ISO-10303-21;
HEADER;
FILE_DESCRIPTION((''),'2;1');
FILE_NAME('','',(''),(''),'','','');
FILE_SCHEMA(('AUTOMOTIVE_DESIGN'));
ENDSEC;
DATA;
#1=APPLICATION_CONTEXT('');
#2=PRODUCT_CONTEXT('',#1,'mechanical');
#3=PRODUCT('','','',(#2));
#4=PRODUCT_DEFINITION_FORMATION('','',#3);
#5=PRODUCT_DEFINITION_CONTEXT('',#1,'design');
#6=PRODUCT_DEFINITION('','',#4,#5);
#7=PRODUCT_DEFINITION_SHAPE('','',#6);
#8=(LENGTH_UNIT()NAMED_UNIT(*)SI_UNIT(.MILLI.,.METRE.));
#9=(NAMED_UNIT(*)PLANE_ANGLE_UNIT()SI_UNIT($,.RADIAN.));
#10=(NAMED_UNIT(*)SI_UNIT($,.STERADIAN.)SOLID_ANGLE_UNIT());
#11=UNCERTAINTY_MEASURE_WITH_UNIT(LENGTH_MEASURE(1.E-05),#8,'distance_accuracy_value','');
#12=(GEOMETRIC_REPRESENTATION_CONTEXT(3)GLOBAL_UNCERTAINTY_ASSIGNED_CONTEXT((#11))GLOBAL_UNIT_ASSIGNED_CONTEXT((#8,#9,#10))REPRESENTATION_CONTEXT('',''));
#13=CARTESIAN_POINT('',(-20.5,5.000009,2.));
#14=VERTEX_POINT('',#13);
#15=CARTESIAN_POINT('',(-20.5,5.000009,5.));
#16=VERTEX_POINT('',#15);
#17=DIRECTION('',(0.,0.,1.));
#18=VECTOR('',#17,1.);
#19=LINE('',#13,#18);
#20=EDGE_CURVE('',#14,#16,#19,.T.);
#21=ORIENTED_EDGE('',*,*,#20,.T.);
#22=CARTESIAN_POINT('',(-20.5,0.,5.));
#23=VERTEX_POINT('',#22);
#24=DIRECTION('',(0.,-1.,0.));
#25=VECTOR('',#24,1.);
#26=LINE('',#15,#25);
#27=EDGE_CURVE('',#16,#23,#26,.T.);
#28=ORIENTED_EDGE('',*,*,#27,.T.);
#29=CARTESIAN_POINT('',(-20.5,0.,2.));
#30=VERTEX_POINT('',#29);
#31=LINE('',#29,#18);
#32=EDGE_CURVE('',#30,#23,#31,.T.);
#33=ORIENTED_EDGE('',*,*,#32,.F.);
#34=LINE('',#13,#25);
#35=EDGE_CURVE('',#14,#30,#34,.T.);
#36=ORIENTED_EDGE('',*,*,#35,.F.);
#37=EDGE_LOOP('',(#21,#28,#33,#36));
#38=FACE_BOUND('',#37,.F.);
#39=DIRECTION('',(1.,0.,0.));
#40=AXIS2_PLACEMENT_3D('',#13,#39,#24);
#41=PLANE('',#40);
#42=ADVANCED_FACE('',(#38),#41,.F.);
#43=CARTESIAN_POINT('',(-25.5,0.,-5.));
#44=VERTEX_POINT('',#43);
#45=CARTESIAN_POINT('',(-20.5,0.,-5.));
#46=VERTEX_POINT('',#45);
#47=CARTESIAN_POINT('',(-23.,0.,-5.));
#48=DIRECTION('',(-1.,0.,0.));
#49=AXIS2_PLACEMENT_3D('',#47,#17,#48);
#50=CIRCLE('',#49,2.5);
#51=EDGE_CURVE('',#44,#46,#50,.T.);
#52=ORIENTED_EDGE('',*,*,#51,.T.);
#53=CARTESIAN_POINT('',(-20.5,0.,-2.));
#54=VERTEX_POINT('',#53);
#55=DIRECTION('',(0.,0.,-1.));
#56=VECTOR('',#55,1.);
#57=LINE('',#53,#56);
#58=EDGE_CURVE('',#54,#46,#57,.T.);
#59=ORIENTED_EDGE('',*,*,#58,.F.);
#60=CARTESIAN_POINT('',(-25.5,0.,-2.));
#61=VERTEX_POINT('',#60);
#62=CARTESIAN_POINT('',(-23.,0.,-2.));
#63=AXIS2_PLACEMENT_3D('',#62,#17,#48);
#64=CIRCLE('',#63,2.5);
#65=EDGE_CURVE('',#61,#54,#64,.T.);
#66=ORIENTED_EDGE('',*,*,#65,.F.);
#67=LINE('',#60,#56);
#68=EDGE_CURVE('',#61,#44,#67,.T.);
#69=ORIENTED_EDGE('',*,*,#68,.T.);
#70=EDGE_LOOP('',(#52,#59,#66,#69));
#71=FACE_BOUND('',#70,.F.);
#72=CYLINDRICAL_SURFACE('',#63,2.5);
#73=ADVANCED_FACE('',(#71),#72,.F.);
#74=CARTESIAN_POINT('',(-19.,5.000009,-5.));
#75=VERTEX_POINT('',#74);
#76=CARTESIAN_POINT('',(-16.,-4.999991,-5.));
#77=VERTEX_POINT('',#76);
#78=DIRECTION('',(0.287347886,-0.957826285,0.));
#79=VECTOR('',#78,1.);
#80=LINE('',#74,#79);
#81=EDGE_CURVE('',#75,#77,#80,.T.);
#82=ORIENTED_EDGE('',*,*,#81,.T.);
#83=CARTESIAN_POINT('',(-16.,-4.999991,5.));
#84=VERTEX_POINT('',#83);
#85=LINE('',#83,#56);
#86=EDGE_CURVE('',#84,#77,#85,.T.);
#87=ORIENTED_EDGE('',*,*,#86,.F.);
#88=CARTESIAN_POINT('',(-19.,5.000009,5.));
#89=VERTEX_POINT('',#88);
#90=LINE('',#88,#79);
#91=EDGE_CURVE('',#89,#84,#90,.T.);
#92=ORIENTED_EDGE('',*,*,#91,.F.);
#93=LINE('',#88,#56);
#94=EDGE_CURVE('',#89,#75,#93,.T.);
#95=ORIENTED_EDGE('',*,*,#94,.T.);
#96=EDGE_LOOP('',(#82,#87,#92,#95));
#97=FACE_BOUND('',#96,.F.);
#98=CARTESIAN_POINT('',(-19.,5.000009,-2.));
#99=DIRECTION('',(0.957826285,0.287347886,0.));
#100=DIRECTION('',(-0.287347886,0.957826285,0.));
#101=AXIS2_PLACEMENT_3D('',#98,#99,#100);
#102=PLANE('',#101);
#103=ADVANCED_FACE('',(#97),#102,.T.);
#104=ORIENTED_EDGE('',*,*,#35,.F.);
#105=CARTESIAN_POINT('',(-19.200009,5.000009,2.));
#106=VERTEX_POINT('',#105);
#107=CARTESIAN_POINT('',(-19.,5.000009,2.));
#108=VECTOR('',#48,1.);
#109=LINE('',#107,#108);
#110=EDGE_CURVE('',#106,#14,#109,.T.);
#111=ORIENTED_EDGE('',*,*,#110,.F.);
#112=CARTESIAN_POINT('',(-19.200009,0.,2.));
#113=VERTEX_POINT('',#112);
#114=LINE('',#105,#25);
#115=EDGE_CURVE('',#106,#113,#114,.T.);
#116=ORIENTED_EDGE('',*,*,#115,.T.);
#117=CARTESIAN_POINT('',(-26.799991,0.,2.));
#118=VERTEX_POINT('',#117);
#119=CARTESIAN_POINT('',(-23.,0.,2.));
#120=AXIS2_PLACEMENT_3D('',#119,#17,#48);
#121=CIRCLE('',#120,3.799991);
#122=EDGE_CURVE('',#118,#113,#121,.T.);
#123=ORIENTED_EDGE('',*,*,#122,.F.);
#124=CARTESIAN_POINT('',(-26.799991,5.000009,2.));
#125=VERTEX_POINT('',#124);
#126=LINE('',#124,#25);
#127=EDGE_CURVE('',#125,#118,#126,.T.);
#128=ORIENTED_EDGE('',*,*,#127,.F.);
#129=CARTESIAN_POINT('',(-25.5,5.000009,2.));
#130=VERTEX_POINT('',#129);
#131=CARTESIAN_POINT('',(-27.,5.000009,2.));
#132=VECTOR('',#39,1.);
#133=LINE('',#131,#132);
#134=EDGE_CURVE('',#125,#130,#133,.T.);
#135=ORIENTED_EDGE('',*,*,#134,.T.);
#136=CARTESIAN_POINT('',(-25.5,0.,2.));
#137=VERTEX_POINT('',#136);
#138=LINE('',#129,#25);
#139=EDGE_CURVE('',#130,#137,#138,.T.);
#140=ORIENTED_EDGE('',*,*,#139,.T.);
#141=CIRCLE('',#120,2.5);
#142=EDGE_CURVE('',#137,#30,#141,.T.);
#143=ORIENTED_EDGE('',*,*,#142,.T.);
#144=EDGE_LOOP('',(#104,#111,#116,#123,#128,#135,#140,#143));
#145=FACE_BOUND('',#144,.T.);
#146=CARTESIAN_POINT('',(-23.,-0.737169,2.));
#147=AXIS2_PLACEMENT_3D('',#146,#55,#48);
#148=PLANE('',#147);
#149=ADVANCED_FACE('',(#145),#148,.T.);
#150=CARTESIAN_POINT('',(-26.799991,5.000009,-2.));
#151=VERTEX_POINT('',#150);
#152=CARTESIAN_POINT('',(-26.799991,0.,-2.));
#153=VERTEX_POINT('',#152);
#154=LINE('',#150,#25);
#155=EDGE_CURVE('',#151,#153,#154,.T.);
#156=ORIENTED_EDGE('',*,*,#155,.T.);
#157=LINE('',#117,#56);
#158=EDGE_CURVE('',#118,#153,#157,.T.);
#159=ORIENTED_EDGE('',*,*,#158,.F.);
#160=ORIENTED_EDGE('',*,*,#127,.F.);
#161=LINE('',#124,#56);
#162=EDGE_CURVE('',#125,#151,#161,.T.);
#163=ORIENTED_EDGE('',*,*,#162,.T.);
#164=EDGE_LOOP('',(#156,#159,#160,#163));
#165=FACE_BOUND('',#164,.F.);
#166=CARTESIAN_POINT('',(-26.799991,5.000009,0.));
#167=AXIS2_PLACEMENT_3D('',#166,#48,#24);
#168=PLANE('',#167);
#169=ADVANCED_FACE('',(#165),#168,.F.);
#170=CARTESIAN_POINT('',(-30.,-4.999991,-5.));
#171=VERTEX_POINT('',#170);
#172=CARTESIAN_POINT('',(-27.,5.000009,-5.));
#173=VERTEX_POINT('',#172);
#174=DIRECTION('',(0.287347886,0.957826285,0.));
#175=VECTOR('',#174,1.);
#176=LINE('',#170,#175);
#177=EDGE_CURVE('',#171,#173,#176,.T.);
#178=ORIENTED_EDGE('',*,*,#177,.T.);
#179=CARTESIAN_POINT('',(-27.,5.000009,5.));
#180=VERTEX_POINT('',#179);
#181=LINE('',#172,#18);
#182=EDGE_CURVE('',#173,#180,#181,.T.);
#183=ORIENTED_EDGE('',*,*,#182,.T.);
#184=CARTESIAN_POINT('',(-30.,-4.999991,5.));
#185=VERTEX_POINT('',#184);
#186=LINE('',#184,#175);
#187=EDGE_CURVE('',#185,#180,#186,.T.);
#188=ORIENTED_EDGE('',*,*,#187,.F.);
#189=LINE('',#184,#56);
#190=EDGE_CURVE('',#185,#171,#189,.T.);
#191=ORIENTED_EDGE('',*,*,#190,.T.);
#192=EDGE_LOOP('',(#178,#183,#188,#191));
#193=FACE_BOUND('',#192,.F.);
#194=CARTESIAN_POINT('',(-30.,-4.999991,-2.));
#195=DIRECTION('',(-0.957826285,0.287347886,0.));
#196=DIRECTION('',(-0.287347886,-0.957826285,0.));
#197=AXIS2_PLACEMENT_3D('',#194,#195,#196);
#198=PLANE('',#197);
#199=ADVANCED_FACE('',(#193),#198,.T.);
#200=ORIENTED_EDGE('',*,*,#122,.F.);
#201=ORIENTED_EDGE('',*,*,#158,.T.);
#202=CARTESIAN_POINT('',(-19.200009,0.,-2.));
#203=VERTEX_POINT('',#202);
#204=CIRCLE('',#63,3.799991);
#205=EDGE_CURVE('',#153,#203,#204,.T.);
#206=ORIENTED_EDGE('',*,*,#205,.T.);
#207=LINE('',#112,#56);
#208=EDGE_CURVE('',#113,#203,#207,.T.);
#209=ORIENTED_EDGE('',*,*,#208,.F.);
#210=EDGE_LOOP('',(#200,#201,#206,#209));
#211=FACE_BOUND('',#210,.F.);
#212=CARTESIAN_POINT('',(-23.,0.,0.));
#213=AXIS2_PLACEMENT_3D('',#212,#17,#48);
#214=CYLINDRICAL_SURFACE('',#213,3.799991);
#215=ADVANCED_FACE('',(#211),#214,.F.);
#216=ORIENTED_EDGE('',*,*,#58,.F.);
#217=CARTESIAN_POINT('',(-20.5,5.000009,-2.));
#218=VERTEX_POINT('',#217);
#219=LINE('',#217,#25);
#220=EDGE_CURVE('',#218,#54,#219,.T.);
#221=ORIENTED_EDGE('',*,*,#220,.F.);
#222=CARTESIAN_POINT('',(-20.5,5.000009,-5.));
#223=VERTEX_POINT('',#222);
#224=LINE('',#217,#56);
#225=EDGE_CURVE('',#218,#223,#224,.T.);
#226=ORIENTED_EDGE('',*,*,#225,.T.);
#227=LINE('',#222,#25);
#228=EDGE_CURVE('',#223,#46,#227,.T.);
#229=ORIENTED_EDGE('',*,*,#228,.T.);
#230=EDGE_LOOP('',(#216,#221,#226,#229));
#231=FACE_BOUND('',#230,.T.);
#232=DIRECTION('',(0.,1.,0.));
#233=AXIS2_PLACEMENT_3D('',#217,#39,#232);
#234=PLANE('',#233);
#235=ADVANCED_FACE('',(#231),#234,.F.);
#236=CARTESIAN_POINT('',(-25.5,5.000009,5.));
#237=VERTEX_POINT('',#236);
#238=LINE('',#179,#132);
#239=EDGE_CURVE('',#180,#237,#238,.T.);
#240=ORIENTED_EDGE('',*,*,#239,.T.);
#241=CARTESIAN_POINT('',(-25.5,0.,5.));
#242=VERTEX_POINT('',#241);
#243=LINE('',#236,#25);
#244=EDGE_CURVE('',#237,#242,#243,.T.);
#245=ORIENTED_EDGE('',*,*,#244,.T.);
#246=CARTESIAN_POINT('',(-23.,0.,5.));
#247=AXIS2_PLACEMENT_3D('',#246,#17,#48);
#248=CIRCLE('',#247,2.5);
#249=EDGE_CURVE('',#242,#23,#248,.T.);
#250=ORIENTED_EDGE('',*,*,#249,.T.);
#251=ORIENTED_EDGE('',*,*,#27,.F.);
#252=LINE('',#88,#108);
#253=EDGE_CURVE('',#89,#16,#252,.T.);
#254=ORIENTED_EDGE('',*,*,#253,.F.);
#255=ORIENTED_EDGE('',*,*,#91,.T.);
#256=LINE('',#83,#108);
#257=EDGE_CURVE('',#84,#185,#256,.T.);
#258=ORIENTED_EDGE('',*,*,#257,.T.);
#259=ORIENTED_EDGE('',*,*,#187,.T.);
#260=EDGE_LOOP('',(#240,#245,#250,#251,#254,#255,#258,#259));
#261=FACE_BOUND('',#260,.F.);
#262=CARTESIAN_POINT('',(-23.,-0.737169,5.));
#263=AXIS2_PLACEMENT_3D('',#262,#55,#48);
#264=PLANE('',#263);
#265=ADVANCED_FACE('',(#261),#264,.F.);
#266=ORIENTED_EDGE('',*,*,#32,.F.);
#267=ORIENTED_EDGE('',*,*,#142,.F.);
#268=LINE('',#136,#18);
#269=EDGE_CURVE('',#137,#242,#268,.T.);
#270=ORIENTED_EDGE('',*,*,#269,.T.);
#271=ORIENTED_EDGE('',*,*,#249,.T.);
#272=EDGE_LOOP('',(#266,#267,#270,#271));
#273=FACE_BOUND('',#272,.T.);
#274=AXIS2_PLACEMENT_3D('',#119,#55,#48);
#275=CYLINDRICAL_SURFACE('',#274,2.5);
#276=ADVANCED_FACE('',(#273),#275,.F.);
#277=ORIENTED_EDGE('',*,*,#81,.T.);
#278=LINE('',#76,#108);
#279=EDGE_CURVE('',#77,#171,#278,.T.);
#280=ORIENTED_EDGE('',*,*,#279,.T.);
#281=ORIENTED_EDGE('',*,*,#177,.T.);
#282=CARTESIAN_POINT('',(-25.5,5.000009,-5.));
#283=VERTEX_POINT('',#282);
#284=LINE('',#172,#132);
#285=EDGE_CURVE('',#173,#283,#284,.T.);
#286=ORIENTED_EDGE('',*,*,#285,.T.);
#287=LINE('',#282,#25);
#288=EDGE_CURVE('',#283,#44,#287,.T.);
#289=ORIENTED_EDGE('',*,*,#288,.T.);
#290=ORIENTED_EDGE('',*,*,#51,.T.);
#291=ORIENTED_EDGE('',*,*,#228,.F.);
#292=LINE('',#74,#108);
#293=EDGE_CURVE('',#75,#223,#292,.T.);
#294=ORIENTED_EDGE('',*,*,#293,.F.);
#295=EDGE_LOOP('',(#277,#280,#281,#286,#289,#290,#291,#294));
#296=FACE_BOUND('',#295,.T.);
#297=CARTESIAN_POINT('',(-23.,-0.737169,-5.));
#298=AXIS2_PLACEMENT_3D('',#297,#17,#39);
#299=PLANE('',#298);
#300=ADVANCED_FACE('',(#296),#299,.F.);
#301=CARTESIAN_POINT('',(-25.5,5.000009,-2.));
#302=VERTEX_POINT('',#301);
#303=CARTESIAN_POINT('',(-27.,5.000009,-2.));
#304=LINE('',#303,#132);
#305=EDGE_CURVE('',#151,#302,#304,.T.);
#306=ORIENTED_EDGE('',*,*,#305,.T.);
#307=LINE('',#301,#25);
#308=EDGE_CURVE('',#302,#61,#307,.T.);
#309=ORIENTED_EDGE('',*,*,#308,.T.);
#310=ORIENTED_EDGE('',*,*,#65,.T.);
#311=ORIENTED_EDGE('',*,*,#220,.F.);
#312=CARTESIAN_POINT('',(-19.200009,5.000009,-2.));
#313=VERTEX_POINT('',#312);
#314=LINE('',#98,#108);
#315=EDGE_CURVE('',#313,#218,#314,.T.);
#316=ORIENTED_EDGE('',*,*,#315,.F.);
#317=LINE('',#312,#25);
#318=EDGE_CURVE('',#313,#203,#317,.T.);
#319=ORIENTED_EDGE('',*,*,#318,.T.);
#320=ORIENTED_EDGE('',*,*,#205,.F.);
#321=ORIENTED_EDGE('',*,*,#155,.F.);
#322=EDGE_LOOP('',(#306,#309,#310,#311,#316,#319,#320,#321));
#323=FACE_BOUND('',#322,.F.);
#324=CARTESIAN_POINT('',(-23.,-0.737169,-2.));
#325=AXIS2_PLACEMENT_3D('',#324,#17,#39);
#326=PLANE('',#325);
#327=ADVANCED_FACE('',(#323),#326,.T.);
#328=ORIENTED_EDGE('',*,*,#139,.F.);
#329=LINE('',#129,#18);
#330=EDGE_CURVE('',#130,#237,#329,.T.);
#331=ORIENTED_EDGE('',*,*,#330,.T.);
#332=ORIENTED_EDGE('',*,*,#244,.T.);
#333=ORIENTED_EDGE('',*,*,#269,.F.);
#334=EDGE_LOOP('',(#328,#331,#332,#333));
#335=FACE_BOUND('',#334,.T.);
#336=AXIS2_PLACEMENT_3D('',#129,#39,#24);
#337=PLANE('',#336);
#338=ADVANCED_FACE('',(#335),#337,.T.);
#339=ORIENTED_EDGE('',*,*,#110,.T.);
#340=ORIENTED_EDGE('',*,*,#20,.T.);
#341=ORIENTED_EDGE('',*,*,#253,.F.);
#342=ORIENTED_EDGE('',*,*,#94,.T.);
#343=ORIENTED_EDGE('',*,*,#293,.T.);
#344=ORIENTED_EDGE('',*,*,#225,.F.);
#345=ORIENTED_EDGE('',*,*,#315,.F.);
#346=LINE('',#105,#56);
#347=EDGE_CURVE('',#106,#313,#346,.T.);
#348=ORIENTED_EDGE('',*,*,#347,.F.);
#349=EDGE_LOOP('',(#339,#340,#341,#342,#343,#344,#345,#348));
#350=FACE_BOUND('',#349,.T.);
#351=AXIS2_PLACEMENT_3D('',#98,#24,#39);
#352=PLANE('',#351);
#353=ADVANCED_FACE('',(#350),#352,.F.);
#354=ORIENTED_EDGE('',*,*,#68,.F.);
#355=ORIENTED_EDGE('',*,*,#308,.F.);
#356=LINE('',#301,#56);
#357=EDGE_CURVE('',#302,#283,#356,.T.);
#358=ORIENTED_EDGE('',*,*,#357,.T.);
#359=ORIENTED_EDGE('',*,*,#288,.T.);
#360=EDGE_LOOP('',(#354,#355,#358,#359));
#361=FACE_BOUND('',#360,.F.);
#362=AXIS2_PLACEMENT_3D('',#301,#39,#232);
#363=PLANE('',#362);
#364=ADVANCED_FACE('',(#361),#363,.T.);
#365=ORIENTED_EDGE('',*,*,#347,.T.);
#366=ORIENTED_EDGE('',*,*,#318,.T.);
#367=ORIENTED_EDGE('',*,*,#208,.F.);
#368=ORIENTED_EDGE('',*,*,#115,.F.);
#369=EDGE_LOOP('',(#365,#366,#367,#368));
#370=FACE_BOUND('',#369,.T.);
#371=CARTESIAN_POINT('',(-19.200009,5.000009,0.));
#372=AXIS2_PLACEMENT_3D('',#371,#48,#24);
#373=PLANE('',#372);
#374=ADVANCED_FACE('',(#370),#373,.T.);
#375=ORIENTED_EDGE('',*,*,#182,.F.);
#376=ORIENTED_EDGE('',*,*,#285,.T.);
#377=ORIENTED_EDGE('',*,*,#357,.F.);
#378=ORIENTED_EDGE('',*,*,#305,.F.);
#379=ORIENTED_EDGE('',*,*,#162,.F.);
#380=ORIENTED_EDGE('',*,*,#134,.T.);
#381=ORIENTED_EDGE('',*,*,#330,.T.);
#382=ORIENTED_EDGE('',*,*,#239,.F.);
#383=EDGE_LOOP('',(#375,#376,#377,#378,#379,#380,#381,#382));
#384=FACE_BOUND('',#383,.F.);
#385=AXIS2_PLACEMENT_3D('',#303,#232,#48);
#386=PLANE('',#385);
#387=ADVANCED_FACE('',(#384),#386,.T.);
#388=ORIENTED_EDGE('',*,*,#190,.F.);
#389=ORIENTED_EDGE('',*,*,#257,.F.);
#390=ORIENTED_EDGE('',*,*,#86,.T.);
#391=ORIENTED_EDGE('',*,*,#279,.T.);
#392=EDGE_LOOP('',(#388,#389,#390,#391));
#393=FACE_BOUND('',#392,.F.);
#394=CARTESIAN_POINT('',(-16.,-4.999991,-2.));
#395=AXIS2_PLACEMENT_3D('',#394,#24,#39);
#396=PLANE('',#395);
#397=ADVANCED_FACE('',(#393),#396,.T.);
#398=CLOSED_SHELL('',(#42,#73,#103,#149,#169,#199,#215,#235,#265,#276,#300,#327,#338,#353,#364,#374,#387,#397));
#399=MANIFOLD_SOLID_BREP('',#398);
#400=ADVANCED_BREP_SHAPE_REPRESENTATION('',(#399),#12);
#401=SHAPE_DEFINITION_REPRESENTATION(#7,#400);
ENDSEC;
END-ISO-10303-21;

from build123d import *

# Parameters (mm, degrees)
PAD_DEPTH    = 2
PAD001_DEPTH = 3


with BuildPart() as part:
    # Sketch → Pad (new body, symmetric)
    with BuildSketch(Plane.XY):
        with BuildLine():
            Line((-7, -4.999991), (-4, 5.000009))
            Line((-4, 5.000009), (-3.799991, 5.000009))
            Line((-3.799991, 5.000009), (-3.799991, 0))
            ThreePointArc((-3.799991, 0), (0, -3.799991), (3.799991, 0))
            Line((3.799991, 5.000009), (3.799991, 0))
            Line((4, 5.000009), (3.799991, 5.000009))
            Line((4, 5.000009), (7, -4.999991))
            Line((7, -4.999991), (-7, -4.999991))
        make_face()
    extrude(amount=PAD_DEPTH, both=True)

    # Sketch004 (on Face10 of Pad) → Pad001 (join)
    with BuildSketch(Plane.XY.offset(2)):
        with BuildLine():
            ThreePointArc((-2.5, 0), (0, -2.5), (2.5, 0))
            Line((2.5, 5.000009), (2.5, 0))
            Line((4, 5.000009), (2.5, 5.000009))
            Line((4, 5.000009), (7, -4.999991))
            Line((7, -4.999991), (-7, -4.999991))
            Line((-7, -4.999991), (-4, 5.000009))
            Line((-4, 5.000009), (-2.5, 5.000009))
            Line((-2.5, 5.000009), (-2.5, 0))
        make_face()
    pad001 = extrude(amount=PAD001_DEPTH)

    # Mirrored: Pad001 across XY
    add(pad001.mirror(Plane.XY))


with BuildPart() as part_1:
    # Body placement: moved
    add(part.part.moved(Location((-23, 0, 0))))


solid = part_1.part
